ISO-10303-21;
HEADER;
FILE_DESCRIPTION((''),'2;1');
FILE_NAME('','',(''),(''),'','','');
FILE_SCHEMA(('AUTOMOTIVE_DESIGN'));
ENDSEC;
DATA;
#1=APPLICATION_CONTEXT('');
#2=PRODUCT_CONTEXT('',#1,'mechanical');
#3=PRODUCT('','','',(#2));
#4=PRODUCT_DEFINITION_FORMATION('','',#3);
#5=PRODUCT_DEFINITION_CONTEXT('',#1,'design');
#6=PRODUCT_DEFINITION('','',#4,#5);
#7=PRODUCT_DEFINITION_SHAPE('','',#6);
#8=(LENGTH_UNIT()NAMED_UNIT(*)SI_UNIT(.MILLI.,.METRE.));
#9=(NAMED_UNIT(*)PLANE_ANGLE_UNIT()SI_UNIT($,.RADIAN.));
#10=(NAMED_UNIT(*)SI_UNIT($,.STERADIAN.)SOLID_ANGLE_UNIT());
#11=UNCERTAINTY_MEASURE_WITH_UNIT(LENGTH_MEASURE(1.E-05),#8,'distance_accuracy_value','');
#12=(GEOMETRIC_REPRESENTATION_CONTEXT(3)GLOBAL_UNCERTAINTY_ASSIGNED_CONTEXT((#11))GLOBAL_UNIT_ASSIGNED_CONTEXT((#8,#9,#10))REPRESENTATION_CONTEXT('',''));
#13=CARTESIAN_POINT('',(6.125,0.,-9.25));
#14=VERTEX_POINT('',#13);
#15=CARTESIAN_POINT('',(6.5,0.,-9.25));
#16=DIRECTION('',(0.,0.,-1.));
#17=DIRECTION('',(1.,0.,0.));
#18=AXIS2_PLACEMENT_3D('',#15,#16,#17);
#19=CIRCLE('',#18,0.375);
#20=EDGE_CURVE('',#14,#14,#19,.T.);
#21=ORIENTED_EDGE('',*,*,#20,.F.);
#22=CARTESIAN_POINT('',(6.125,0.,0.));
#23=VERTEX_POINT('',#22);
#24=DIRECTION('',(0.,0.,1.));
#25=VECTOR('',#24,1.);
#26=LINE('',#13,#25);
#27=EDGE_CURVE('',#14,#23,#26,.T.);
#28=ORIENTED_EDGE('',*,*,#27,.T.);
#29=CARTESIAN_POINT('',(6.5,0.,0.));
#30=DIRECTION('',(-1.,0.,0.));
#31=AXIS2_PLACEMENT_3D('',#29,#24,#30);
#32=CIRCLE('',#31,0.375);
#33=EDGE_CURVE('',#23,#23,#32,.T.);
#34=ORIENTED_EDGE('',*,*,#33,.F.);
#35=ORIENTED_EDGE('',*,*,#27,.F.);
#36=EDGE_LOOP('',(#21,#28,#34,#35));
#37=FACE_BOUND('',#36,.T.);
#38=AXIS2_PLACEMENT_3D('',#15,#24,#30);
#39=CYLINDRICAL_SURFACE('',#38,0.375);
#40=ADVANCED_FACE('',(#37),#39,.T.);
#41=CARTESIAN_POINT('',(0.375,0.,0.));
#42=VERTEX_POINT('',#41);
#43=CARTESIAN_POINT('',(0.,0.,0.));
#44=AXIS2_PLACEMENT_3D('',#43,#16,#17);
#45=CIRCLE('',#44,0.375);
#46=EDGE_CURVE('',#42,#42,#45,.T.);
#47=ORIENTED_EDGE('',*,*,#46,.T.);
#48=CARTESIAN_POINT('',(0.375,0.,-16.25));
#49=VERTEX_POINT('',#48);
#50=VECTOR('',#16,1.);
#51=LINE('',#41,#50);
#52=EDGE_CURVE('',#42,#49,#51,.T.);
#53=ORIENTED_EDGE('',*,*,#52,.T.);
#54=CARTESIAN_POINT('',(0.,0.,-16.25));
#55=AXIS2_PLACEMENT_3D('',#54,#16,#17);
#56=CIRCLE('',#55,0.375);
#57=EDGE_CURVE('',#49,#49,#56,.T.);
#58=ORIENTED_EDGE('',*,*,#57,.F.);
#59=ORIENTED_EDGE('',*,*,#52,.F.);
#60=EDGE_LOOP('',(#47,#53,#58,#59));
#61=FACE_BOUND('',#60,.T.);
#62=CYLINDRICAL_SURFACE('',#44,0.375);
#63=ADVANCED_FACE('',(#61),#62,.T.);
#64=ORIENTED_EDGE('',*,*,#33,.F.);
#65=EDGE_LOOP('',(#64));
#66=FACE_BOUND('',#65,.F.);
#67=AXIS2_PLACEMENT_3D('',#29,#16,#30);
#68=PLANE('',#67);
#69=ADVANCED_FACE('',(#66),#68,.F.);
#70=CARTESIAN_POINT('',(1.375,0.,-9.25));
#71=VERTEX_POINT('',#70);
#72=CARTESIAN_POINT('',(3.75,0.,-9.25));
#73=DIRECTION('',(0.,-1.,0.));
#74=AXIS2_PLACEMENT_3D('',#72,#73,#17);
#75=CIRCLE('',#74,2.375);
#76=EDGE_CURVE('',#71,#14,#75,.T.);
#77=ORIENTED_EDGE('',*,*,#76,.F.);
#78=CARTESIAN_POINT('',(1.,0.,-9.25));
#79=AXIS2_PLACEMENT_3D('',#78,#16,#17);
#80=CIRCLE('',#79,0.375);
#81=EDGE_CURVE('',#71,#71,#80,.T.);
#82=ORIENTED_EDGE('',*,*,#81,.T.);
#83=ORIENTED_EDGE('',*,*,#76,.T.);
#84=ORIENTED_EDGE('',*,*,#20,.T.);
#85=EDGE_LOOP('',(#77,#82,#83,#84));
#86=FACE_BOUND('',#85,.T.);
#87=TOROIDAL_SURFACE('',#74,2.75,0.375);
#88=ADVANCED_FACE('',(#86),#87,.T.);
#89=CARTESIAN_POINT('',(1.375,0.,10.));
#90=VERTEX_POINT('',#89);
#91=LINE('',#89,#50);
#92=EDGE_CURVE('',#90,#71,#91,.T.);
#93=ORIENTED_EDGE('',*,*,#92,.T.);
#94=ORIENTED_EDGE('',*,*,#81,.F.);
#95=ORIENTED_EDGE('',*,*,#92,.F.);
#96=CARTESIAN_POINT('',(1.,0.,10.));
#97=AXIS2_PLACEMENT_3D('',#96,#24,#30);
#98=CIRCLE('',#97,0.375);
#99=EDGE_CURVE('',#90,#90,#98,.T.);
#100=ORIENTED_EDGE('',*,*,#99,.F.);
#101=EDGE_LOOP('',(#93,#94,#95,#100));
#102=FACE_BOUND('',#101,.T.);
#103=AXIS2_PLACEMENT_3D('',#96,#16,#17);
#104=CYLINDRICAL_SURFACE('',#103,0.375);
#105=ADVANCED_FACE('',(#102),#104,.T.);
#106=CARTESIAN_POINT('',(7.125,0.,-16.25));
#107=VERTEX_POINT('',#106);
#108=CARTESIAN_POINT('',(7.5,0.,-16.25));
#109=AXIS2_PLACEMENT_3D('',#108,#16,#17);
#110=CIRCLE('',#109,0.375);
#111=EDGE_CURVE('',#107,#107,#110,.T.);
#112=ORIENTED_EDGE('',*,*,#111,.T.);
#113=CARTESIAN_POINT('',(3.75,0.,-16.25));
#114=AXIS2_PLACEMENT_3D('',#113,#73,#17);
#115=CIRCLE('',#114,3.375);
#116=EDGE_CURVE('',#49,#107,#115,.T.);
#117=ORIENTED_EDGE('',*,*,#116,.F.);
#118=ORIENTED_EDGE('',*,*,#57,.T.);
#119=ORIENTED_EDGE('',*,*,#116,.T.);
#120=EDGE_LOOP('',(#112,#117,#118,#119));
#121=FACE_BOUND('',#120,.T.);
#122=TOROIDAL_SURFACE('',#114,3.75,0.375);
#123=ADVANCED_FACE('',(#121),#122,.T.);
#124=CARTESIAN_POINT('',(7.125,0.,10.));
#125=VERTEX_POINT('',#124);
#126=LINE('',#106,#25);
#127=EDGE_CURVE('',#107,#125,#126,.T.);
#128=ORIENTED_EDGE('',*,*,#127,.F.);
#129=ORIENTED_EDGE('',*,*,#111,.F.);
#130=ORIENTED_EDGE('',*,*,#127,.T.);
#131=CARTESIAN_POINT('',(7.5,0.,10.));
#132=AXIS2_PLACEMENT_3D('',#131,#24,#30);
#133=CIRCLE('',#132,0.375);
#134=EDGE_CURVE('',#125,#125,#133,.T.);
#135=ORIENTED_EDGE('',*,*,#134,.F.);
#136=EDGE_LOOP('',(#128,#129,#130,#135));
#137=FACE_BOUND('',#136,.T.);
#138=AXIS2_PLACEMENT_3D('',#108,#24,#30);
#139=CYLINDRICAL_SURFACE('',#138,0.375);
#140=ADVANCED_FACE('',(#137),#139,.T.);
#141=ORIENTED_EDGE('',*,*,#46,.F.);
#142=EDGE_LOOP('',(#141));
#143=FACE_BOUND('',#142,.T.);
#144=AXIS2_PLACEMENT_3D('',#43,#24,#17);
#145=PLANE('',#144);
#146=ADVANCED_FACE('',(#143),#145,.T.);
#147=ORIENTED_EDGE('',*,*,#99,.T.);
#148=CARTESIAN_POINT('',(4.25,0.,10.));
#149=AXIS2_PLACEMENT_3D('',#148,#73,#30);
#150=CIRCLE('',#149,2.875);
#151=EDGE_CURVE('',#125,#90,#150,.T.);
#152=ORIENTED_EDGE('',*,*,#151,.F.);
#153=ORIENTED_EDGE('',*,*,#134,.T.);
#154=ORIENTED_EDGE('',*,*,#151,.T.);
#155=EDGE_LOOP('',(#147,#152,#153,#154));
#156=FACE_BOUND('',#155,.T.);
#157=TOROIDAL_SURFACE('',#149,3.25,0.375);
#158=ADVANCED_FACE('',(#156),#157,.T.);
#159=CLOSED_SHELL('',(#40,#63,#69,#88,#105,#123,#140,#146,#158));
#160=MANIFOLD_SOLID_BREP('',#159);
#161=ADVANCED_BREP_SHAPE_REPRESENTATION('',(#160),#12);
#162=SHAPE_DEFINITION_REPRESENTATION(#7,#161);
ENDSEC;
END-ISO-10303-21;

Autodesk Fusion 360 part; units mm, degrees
sketch "Sweep Path" plane through (0, 0, 0) normal (0, 1, 0) x (1, 0, 0)
  line L0 (0, 0) -> (0, 16.25)
  line L1 (0, 16.25) -> (7.5, 16.25) construction
  line L2 (7.5, 16.25) -> (7.5, -10)
  line L3 (7.5, -10) -> (1, -10) construction
  line L4 (1, -10) -> (1, 9.25)
  line L5 (1, 9.25) -> (6.5, 9.25) construction
  line L6 (6.5, 9.25) -> (6.5, 0)
  arc A0 (7.5, 16.25) -> (0, 16.25) centre (3.75, 16.25) ccw
  arc A1 (1, -10) -> (7.5, -10) centre (4.25, -10) ccw
  arc A2 (6.5, 9.25) -> (1, 9.25) centre (3.75, 9.25) ccw
  dimension "d1" = 16.25
  dimension "d2" = 7.5
  dimension "d3" = 26.25
  dimension "d4" = 6.5
  dimension "d5" = 19.25
  dimension "d6" = 5.5
  dimension "d7" = 9.25
sketch "Sketch2" plane through (0, 0, 0) normal (0, 0, 1) x (1, 0, 0)
  circle A0 centre (0, 0) radius 0.375
  dimension "d8" = 0.75
sweep "Sweep1" add profiles "Sketch2" path "Sweep Path" along L0 A0 L2 A1 L4 A2 L6 section 1
